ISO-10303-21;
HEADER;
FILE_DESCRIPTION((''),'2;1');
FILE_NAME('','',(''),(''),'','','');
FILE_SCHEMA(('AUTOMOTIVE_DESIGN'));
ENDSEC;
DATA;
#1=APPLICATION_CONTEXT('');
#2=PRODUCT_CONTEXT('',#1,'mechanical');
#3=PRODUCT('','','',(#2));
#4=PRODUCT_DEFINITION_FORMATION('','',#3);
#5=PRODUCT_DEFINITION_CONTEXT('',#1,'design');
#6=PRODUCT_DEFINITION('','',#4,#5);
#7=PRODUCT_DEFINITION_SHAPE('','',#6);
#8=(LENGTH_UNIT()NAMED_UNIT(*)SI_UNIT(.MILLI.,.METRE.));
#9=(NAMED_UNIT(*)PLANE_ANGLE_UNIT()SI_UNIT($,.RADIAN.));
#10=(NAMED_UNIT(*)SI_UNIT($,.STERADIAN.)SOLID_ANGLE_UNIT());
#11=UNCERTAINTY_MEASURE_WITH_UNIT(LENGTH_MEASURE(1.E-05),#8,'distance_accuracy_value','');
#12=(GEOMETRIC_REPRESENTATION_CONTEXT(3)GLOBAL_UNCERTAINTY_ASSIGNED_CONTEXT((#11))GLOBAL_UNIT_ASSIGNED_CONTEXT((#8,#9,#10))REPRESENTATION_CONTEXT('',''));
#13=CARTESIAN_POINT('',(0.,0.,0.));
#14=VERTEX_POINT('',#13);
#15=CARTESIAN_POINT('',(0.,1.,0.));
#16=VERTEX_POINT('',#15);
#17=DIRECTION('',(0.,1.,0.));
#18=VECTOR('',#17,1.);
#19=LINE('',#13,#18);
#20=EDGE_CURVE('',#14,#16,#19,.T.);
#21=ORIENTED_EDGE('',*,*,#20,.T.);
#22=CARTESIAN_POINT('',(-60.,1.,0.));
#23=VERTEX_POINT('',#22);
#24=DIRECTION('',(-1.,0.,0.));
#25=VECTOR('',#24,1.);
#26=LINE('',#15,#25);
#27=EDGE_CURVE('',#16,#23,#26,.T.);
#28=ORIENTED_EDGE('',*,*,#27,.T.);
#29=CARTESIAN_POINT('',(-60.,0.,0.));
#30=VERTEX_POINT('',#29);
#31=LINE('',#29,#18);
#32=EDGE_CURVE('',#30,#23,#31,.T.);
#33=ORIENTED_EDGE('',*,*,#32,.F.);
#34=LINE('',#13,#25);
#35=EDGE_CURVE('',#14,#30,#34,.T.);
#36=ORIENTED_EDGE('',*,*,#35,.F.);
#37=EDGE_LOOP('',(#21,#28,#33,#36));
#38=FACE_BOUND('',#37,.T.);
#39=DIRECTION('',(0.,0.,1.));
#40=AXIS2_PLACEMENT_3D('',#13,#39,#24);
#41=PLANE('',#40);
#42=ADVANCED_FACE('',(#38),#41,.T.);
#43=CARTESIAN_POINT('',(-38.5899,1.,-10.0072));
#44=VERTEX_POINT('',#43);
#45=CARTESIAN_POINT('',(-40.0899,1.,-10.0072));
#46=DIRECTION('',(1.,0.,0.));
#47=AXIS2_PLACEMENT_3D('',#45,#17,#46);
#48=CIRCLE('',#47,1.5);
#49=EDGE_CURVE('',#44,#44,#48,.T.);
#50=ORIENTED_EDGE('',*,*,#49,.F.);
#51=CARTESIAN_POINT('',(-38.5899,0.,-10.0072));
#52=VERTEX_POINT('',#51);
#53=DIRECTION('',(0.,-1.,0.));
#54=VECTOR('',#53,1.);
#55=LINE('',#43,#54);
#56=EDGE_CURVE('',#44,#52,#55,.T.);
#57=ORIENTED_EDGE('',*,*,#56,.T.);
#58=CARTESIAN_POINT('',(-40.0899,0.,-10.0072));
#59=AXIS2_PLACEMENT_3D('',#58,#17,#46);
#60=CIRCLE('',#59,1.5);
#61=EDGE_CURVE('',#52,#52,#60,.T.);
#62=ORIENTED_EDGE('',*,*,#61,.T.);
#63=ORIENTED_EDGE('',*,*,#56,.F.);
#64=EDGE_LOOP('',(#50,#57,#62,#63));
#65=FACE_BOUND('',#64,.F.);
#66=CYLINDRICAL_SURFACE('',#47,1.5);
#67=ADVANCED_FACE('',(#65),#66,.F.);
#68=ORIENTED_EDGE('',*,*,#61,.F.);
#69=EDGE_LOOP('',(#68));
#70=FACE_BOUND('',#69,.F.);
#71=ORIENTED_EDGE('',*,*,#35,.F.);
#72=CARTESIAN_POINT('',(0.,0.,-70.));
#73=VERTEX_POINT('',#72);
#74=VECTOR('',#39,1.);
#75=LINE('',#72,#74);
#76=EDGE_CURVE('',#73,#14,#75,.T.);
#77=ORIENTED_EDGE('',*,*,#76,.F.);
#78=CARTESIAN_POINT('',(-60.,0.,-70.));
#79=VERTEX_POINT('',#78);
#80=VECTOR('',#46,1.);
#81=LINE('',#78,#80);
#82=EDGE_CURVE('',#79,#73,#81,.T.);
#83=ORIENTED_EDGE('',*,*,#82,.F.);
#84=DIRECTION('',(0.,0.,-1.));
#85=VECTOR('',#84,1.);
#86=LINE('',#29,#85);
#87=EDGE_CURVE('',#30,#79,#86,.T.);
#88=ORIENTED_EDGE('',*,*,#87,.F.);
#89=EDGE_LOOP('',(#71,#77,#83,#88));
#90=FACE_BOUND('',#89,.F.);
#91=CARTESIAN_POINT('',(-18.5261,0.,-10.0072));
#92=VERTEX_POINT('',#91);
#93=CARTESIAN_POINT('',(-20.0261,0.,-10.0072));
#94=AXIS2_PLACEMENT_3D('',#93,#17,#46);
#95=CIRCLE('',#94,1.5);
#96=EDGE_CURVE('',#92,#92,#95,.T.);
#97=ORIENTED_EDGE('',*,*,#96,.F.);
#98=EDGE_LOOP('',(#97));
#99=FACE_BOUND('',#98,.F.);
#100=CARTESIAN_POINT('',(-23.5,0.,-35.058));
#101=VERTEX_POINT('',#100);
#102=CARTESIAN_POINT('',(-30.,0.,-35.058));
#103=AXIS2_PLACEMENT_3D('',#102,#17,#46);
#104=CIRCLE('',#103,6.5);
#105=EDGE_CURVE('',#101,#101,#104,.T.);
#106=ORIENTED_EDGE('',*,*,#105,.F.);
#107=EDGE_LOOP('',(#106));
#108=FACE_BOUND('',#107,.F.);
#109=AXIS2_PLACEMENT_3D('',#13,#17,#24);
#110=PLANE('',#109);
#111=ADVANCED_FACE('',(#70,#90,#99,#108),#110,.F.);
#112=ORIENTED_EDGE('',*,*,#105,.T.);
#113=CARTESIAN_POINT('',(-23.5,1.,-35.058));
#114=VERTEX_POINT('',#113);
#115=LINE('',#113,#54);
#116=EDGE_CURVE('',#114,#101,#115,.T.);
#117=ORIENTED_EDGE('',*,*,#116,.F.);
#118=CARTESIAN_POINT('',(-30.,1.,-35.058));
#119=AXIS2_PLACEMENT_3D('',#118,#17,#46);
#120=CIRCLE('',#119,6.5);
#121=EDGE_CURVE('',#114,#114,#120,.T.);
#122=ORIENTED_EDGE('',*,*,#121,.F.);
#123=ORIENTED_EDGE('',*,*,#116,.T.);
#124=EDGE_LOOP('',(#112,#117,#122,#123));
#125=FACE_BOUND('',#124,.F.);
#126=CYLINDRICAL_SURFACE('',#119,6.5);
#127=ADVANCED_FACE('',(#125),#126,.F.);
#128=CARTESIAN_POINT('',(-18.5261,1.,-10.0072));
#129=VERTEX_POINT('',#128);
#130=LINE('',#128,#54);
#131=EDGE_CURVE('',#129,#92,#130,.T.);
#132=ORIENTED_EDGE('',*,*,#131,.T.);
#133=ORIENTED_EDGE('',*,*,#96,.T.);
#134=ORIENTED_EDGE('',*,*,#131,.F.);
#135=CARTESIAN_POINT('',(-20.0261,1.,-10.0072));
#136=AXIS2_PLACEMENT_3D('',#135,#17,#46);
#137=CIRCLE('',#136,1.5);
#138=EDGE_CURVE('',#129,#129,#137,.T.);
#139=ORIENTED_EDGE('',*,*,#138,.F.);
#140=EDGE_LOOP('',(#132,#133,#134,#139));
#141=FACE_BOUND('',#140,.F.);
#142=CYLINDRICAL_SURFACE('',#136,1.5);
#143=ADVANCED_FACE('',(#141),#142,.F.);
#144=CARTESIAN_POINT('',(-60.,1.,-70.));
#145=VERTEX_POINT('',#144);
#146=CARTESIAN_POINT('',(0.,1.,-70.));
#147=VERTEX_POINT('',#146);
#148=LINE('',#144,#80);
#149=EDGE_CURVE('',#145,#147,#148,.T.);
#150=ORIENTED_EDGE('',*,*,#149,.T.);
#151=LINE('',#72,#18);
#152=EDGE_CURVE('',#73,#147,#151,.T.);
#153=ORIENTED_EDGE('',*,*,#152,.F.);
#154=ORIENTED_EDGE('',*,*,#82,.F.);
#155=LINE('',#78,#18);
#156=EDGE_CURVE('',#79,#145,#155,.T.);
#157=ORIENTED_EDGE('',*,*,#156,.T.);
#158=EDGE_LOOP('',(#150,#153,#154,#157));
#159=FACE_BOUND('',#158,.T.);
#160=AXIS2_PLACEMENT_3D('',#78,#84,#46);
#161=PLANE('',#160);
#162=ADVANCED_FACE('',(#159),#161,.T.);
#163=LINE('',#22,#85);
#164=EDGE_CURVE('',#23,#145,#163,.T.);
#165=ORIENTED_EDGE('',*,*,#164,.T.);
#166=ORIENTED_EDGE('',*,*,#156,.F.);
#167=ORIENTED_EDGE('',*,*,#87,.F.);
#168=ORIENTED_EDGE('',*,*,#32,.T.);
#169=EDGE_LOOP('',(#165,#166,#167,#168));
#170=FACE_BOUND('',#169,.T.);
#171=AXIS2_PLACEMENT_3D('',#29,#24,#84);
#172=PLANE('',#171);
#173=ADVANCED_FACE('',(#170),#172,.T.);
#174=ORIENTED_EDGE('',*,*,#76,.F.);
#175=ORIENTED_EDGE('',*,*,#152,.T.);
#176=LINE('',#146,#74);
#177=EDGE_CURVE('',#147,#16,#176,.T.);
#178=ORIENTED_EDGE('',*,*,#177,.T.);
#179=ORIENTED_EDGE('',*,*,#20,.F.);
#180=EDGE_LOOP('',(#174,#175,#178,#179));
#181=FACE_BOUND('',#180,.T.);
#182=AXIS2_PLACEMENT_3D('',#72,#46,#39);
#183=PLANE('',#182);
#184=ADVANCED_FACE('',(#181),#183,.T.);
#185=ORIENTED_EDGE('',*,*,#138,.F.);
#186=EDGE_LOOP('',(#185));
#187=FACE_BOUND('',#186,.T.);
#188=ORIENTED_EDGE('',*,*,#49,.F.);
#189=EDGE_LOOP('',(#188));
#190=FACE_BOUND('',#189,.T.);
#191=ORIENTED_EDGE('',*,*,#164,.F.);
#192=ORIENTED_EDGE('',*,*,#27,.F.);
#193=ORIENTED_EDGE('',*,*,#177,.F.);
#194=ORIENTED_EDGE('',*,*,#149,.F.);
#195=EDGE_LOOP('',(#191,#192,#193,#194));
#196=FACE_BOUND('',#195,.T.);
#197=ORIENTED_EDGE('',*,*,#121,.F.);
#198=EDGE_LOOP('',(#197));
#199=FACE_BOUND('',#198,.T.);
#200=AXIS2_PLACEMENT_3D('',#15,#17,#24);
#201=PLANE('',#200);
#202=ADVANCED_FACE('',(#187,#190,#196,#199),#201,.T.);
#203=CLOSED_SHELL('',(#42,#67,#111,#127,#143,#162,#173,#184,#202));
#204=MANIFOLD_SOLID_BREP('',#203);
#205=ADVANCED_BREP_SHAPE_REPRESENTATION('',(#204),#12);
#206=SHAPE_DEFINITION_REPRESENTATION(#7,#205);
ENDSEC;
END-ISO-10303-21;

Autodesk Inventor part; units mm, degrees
ref_plane "YZ Plane" through (0, 0, 0) normal (1, 0, 0) x (0, 1, 0)
ref_plane "XZ Plane" through (0, 0, 0) normal (0, 1, 0) x (-1, 0, 0)
ref_plane "XY Plane" through (0, 0, 0) normal (0, 0, 1) x (1, 0, 0)
sketch "Sketch1" plane through (0, 0, 0) normal (0, 1, 0) x (-1, 0, 0)
  line L0 (0, 0) -> (60, 0)
  line L1 (60, 0) -> (60, -70)
  line L2 (60, -70) -> (0, -70)
  line L3 (0, -70) -> (0, 0)
  dimension "d0" = 60
  dimension "d1" = 70
extrude "Extrusion1" add sketch "Sketch1" along normal blind 1
sketch "Sketch2" plane through (0, 1, 0) normal (0, 1, 0) x (1, 0, 0)
  circle A0 centre (-20.0261, 10.0072) radius 1.5
  circle A1 centre (-40.0899, 10.0072) radius 1.5
  circle A2 centre (-30, 35.058) radius 6.5
  point P0 (0, 0)
  dimension "d4" = 3
  dimension "d5" = 3
  dimension "d6" = 13
extrude "Extrusion2" cut sketch "Sketch2" against normal blind 1
properties part number "movement2"
